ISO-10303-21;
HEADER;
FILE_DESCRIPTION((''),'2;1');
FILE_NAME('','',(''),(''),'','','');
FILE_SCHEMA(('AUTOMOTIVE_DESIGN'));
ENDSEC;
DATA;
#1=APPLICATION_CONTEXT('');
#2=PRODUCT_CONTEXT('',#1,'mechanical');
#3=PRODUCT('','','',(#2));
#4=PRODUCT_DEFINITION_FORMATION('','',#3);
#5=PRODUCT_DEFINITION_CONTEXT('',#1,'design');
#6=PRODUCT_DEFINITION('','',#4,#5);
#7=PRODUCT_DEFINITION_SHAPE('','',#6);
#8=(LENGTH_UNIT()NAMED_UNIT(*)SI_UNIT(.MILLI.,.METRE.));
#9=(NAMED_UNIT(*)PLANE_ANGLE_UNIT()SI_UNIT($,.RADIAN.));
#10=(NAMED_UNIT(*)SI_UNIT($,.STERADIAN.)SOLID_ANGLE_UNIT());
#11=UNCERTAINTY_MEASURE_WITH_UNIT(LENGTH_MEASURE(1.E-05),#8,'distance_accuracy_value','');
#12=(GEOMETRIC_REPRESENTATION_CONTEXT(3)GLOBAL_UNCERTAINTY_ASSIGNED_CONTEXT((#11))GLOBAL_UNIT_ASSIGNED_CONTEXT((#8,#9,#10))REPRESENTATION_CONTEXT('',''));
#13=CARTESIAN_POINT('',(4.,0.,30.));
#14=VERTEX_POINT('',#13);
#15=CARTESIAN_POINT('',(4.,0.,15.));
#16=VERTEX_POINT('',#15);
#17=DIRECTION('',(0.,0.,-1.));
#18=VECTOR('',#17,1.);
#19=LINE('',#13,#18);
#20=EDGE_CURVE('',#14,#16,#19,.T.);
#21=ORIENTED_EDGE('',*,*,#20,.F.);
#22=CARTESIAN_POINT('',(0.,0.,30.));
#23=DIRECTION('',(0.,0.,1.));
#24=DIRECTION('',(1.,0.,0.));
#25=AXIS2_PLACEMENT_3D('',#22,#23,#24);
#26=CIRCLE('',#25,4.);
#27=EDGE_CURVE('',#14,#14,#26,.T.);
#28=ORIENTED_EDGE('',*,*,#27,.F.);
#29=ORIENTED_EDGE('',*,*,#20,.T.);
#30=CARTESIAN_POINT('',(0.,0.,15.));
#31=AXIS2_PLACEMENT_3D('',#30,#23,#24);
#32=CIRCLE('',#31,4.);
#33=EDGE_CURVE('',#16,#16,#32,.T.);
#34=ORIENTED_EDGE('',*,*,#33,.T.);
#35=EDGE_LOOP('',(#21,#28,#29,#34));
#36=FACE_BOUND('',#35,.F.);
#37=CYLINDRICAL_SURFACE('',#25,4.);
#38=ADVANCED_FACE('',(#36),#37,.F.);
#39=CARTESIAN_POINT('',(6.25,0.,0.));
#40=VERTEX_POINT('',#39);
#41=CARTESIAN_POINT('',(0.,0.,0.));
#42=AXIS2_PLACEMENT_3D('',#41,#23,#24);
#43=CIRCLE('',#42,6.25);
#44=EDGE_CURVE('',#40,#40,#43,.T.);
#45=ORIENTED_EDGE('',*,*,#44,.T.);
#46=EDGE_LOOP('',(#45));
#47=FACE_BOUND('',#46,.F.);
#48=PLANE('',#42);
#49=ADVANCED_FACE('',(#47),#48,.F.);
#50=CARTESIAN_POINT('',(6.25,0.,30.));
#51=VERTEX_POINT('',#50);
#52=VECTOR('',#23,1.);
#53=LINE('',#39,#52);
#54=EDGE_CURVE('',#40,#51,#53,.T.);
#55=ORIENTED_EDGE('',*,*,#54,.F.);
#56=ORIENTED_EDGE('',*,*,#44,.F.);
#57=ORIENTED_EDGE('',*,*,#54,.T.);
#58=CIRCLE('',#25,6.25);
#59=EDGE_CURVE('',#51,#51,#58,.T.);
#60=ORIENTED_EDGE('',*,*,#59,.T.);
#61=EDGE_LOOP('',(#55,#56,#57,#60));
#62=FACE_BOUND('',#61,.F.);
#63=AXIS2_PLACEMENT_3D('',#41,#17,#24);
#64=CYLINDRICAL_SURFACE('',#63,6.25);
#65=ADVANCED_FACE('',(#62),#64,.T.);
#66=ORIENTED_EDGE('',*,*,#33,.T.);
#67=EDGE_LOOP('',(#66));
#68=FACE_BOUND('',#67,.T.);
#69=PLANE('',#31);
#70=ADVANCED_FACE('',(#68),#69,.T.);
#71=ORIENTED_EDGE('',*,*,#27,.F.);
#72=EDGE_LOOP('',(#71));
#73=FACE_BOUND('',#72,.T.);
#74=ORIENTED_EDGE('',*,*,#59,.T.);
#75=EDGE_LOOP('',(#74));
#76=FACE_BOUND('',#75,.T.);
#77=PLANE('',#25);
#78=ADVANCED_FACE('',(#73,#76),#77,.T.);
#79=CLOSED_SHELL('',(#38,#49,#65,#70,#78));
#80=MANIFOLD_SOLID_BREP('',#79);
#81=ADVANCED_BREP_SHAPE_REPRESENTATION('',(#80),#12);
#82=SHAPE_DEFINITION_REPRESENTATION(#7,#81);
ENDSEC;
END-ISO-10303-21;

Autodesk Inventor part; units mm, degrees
ref_plane "YZ Plane" through (0, 0, 0) normal (1, 0, 0) x (0, 1, 0)
ref_plane "XZ Plane" through (0, 0, 0) normal (0, 1, 0) x (-1, 0, 0)
ref_plane "XY Plane" through (0, 0, 0) normal (0, 0, 1) x (1, 0, 0)
sketch "Sketch1" plane through (0, 0, 0) normal (0, 0, 1) x (1, 0, 0)
  circle A0 centre (0, 0) radius 6.25
  dimension "d0" = 12.5
extrude "Extrusion1" add sketch "Sketch1" along normal blind 30
sketch "Sketch2" plane through (0, 0, 30) normal (0, 0, 1) x (1, 0, 0)
  circle A0 centre (0, 0) radius 4
  dimension "d3" = 8
extrude "Extrusion2" cut sketch "Sketch2" against normal blind 15
properties part number "3rd connector"
